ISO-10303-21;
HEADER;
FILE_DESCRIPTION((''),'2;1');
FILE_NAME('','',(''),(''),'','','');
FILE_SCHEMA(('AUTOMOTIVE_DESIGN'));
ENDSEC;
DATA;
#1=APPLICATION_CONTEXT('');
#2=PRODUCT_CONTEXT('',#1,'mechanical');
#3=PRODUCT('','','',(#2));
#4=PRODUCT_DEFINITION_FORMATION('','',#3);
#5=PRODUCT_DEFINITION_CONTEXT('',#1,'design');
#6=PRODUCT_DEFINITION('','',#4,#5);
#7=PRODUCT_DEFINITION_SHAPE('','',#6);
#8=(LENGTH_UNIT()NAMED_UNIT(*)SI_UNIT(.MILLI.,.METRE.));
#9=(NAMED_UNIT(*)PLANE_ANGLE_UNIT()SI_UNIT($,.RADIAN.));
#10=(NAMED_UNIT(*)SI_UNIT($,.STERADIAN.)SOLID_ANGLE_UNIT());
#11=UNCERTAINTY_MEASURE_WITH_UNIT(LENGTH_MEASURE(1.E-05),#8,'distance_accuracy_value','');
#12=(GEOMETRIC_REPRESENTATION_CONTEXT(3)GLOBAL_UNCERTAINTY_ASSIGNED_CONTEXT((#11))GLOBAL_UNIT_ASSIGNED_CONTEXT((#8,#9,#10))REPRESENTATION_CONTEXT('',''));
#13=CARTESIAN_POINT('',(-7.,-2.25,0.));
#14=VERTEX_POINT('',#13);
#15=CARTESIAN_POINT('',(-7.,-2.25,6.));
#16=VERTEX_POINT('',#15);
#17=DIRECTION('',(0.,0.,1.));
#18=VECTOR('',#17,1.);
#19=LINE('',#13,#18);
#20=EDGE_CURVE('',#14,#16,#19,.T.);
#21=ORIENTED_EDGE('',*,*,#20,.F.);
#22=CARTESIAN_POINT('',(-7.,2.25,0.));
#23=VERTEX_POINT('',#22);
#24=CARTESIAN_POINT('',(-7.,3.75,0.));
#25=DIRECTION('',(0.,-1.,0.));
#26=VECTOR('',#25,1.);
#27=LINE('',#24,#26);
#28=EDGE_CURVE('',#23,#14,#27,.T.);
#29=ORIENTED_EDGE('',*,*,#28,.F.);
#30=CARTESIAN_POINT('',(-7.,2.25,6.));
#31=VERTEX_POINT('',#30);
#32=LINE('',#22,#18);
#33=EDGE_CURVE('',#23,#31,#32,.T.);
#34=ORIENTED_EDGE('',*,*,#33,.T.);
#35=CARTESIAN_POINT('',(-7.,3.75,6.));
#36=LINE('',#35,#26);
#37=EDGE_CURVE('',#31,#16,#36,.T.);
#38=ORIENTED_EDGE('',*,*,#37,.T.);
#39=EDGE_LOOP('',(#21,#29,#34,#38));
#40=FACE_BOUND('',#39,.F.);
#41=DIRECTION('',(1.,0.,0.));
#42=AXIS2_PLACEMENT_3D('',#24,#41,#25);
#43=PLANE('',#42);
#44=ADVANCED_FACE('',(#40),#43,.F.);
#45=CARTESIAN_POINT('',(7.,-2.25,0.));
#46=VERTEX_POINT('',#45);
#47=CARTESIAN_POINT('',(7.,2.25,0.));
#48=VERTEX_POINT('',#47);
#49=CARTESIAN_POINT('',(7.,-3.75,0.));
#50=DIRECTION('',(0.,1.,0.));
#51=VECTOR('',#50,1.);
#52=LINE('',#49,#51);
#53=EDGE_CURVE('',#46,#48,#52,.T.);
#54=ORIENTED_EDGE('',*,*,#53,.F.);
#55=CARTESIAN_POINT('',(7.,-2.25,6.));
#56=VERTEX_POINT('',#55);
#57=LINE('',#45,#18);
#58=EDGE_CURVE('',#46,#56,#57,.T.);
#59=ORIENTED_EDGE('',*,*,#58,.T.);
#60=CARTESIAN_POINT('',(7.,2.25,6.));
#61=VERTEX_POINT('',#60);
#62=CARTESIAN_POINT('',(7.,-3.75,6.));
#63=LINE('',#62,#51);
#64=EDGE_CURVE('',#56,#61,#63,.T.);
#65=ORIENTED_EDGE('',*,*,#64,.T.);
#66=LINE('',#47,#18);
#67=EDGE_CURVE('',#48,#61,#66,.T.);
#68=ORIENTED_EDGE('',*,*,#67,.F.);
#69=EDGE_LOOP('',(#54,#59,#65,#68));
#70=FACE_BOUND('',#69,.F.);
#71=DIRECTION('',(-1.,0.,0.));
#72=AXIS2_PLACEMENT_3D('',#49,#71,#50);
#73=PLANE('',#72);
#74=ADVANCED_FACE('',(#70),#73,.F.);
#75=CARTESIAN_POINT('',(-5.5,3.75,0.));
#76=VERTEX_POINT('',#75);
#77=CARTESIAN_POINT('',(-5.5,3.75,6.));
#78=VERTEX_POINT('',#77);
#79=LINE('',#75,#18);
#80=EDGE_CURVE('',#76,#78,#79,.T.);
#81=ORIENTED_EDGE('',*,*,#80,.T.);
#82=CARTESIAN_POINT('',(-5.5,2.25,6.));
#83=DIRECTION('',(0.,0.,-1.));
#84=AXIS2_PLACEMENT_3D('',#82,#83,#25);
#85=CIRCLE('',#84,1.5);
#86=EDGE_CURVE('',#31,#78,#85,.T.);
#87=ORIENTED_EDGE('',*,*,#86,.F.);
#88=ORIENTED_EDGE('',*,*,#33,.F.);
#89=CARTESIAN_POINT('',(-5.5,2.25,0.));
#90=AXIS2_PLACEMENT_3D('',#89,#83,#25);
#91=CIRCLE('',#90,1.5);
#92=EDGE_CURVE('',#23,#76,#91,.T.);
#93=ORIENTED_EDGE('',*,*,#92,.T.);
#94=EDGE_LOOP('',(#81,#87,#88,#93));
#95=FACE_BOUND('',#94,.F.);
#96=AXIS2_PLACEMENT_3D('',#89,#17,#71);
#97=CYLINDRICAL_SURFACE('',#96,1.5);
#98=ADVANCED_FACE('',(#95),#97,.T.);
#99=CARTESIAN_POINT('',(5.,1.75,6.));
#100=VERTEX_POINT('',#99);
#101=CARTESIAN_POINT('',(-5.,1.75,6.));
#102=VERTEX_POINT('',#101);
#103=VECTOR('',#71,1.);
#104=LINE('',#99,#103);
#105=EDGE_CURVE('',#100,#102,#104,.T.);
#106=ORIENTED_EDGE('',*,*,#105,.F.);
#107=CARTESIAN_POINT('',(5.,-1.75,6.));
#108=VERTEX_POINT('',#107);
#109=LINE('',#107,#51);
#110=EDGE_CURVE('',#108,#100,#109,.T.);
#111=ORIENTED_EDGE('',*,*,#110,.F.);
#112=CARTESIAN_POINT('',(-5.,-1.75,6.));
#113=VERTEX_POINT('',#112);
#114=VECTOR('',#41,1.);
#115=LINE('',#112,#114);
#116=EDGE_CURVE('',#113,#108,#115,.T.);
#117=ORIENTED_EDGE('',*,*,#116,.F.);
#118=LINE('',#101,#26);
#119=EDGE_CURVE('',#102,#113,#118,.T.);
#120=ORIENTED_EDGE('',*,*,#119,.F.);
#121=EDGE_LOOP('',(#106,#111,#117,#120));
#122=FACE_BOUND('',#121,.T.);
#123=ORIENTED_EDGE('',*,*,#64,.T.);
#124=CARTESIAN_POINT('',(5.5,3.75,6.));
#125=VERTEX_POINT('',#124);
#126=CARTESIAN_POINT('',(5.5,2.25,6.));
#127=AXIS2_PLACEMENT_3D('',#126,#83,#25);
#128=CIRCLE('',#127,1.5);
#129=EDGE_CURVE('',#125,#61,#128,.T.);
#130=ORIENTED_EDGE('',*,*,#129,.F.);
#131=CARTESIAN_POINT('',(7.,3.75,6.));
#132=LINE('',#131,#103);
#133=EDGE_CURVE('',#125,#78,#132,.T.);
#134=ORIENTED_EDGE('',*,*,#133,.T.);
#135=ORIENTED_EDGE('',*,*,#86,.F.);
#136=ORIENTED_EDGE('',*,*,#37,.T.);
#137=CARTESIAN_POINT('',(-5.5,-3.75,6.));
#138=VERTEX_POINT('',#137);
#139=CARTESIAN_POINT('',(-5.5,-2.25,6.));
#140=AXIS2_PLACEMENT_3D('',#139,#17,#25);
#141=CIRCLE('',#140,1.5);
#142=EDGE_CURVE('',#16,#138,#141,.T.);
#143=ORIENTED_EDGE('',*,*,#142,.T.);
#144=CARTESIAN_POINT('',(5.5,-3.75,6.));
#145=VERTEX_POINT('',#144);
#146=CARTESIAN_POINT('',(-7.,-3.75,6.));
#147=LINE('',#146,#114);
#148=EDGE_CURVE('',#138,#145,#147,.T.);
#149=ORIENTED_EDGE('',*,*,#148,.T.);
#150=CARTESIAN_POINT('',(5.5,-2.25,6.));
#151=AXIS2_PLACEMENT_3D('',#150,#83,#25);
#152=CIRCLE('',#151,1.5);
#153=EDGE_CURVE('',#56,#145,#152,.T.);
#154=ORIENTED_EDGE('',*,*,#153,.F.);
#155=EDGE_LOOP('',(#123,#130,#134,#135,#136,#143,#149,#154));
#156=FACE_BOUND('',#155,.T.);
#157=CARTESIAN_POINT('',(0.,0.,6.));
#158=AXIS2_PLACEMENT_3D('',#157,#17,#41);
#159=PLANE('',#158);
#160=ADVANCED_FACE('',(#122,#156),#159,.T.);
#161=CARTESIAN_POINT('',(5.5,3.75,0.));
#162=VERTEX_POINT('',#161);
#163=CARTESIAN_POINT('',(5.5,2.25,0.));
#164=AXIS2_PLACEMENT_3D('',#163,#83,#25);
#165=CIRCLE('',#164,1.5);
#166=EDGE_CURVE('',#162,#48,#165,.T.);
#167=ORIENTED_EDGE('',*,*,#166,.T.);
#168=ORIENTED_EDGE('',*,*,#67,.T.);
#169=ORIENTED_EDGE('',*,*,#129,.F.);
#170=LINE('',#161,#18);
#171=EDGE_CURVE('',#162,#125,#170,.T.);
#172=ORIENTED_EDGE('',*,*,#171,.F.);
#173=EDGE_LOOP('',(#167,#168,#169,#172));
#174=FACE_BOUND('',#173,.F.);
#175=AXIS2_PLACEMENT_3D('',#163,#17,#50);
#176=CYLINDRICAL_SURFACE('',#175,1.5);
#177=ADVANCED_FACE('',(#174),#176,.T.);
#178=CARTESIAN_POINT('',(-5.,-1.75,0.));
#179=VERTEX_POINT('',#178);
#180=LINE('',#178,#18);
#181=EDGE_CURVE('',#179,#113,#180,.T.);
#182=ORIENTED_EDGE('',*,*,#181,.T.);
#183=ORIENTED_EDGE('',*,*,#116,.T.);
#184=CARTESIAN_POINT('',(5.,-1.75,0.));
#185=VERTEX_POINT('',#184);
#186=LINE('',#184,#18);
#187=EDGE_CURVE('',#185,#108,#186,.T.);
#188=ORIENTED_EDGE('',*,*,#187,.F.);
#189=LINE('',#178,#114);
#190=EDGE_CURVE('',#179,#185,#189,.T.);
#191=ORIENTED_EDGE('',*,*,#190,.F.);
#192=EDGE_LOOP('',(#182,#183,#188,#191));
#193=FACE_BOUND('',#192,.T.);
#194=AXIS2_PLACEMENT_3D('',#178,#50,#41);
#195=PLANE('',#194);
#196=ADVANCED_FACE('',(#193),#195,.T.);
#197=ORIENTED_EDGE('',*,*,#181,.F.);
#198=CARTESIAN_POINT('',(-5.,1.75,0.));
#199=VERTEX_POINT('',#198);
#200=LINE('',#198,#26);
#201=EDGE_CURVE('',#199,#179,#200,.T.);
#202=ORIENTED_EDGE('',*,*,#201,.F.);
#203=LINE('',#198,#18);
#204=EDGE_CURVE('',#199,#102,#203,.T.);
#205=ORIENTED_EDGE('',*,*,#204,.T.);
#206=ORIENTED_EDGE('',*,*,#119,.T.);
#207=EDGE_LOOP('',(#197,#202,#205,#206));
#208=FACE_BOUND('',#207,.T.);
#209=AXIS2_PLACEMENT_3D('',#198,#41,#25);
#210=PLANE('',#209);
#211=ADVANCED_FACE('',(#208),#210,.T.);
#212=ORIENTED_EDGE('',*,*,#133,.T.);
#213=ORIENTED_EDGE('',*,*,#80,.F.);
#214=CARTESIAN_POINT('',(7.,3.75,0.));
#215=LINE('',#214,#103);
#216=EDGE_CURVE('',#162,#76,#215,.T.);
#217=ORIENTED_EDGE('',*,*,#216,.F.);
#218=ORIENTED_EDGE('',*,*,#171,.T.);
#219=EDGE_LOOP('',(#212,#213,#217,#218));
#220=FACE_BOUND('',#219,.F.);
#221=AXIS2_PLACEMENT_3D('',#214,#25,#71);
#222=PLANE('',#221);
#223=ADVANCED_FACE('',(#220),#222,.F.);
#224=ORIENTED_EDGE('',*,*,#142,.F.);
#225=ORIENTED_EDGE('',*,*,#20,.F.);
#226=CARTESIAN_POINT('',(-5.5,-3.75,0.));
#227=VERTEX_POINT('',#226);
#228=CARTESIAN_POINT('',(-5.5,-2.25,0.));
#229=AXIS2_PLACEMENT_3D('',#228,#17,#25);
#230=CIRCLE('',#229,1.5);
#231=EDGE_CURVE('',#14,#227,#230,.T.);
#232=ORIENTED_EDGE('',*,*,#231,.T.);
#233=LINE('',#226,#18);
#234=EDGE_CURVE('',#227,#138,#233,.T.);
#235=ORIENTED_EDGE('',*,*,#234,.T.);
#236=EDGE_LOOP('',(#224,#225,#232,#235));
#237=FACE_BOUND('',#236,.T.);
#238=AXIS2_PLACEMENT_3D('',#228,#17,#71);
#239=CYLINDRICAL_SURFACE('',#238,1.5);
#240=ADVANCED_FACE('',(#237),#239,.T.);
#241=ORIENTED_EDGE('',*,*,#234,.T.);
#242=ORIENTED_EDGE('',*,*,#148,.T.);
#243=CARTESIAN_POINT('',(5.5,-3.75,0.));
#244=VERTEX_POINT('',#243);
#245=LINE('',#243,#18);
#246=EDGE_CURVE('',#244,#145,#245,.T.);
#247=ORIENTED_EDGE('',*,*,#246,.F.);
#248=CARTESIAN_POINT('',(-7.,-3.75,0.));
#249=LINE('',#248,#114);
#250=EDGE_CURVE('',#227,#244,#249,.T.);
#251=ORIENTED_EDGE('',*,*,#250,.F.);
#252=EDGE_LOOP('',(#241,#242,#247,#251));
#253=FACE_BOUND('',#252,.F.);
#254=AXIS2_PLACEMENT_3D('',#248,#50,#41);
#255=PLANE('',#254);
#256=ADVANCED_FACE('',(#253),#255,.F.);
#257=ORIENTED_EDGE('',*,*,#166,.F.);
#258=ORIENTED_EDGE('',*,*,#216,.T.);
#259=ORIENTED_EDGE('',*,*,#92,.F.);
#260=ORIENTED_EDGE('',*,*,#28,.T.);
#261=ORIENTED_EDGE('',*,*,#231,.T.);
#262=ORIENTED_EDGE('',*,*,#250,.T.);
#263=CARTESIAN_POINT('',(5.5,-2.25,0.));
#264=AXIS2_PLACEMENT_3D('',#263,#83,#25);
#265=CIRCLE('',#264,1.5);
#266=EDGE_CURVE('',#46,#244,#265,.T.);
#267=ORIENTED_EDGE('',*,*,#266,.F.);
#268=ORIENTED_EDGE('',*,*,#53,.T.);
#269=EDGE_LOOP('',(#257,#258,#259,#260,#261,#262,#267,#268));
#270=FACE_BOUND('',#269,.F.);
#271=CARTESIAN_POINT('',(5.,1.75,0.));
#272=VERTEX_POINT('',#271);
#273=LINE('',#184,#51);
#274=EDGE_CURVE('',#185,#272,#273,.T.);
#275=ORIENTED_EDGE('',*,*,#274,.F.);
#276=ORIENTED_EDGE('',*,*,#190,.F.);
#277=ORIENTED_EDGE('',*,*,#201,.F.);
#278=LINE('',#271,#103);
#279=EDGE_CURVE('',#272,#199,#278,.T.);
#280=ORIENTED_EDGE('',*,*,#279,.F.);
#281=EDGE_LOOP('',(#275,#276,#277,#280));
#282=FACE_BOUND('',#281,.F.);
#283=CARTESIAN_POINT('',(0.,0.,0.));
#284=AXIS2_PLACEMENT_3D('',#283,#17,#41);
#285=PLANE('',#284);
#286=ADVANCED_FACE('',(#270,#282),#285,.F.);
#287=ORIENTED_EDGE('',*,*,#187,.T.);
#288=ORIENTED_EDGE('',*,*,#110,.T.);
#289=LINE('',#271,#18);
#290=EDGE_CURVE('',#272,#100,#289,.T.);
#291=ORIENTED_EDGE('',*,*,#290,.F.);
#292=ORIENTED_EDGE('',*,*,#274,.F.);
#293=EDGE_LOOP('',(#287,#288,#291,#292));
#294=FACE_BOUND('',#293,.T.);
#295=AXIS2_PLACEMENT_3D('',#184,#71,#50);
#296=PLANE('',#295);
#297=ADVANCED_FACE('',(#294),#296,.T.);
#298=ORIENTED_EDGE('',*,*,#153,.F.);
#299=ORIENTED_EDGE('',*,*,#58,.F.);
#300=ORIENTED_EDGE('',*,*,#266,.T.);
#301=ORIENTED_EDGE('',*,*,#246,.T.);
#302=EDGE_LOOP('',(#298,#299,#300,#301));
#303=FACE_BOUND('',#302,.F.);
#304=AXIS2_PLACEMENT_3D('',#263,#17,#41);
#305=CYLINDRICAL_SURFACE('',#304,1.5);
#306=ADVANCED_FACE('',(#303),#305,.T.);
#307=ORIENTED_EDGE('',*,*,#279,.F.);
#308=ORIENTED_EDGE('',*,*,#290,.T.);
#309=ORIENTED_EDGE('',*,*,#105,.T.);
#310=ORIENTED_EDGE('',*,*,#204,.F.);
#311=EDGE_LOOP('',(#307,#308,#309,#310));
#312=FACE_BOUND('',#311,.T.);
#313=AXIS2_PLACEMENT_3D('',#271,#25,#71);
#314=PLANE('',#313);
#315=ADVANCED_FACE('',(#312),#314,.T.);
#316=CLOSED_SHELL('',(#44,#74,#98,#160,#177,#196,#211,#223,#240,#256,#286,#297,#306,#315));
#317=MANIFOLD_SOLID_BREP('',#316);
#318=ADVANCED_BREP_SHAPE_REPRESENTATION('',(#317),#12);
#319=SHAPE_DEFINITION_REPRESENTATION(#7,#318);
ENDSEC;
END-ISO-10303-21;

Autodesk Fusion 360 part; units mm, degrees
sketch "Sketch1" plane through (0, 0, 0) normal (0, 0, 1) x (1, 0, 0)
  line L0 (5, 1.75) -> (-5, 1.75)
  line L1 (-5, 1.75) -> (-5, -1.75)
  line L2 (-5, -1.75) -> (5, -1.75)
  line L3 (5, -1.75) -> (5, 1.75)
  line L4 (5, 1.75) -> (-5, -1.75) construction
  line L5 (-5, 1.75) -> (5, -1.75) construction
  line L6 (-7, -3.75) -> (7, -3.75)
  line L7 (7, -3.75) -> (7, 3.75)
  line L8 (7, 3.75) -> (-7, 3.75)
  line L9 (-7, 3.75) -> (-7, -3.75)
  dimension "d1" = 10
  dimension "d2" = 3.5
  dimension "d3" = 2
extrude "Extrude1" add sketch "Sketch1" along normal blind 6
fillet "Fillet2" radius 1.5 4 edges at (7, 3.75, 3) (-7, 3.75, 3) (-7, -3.75, 3) (7, -3.75, 3)
